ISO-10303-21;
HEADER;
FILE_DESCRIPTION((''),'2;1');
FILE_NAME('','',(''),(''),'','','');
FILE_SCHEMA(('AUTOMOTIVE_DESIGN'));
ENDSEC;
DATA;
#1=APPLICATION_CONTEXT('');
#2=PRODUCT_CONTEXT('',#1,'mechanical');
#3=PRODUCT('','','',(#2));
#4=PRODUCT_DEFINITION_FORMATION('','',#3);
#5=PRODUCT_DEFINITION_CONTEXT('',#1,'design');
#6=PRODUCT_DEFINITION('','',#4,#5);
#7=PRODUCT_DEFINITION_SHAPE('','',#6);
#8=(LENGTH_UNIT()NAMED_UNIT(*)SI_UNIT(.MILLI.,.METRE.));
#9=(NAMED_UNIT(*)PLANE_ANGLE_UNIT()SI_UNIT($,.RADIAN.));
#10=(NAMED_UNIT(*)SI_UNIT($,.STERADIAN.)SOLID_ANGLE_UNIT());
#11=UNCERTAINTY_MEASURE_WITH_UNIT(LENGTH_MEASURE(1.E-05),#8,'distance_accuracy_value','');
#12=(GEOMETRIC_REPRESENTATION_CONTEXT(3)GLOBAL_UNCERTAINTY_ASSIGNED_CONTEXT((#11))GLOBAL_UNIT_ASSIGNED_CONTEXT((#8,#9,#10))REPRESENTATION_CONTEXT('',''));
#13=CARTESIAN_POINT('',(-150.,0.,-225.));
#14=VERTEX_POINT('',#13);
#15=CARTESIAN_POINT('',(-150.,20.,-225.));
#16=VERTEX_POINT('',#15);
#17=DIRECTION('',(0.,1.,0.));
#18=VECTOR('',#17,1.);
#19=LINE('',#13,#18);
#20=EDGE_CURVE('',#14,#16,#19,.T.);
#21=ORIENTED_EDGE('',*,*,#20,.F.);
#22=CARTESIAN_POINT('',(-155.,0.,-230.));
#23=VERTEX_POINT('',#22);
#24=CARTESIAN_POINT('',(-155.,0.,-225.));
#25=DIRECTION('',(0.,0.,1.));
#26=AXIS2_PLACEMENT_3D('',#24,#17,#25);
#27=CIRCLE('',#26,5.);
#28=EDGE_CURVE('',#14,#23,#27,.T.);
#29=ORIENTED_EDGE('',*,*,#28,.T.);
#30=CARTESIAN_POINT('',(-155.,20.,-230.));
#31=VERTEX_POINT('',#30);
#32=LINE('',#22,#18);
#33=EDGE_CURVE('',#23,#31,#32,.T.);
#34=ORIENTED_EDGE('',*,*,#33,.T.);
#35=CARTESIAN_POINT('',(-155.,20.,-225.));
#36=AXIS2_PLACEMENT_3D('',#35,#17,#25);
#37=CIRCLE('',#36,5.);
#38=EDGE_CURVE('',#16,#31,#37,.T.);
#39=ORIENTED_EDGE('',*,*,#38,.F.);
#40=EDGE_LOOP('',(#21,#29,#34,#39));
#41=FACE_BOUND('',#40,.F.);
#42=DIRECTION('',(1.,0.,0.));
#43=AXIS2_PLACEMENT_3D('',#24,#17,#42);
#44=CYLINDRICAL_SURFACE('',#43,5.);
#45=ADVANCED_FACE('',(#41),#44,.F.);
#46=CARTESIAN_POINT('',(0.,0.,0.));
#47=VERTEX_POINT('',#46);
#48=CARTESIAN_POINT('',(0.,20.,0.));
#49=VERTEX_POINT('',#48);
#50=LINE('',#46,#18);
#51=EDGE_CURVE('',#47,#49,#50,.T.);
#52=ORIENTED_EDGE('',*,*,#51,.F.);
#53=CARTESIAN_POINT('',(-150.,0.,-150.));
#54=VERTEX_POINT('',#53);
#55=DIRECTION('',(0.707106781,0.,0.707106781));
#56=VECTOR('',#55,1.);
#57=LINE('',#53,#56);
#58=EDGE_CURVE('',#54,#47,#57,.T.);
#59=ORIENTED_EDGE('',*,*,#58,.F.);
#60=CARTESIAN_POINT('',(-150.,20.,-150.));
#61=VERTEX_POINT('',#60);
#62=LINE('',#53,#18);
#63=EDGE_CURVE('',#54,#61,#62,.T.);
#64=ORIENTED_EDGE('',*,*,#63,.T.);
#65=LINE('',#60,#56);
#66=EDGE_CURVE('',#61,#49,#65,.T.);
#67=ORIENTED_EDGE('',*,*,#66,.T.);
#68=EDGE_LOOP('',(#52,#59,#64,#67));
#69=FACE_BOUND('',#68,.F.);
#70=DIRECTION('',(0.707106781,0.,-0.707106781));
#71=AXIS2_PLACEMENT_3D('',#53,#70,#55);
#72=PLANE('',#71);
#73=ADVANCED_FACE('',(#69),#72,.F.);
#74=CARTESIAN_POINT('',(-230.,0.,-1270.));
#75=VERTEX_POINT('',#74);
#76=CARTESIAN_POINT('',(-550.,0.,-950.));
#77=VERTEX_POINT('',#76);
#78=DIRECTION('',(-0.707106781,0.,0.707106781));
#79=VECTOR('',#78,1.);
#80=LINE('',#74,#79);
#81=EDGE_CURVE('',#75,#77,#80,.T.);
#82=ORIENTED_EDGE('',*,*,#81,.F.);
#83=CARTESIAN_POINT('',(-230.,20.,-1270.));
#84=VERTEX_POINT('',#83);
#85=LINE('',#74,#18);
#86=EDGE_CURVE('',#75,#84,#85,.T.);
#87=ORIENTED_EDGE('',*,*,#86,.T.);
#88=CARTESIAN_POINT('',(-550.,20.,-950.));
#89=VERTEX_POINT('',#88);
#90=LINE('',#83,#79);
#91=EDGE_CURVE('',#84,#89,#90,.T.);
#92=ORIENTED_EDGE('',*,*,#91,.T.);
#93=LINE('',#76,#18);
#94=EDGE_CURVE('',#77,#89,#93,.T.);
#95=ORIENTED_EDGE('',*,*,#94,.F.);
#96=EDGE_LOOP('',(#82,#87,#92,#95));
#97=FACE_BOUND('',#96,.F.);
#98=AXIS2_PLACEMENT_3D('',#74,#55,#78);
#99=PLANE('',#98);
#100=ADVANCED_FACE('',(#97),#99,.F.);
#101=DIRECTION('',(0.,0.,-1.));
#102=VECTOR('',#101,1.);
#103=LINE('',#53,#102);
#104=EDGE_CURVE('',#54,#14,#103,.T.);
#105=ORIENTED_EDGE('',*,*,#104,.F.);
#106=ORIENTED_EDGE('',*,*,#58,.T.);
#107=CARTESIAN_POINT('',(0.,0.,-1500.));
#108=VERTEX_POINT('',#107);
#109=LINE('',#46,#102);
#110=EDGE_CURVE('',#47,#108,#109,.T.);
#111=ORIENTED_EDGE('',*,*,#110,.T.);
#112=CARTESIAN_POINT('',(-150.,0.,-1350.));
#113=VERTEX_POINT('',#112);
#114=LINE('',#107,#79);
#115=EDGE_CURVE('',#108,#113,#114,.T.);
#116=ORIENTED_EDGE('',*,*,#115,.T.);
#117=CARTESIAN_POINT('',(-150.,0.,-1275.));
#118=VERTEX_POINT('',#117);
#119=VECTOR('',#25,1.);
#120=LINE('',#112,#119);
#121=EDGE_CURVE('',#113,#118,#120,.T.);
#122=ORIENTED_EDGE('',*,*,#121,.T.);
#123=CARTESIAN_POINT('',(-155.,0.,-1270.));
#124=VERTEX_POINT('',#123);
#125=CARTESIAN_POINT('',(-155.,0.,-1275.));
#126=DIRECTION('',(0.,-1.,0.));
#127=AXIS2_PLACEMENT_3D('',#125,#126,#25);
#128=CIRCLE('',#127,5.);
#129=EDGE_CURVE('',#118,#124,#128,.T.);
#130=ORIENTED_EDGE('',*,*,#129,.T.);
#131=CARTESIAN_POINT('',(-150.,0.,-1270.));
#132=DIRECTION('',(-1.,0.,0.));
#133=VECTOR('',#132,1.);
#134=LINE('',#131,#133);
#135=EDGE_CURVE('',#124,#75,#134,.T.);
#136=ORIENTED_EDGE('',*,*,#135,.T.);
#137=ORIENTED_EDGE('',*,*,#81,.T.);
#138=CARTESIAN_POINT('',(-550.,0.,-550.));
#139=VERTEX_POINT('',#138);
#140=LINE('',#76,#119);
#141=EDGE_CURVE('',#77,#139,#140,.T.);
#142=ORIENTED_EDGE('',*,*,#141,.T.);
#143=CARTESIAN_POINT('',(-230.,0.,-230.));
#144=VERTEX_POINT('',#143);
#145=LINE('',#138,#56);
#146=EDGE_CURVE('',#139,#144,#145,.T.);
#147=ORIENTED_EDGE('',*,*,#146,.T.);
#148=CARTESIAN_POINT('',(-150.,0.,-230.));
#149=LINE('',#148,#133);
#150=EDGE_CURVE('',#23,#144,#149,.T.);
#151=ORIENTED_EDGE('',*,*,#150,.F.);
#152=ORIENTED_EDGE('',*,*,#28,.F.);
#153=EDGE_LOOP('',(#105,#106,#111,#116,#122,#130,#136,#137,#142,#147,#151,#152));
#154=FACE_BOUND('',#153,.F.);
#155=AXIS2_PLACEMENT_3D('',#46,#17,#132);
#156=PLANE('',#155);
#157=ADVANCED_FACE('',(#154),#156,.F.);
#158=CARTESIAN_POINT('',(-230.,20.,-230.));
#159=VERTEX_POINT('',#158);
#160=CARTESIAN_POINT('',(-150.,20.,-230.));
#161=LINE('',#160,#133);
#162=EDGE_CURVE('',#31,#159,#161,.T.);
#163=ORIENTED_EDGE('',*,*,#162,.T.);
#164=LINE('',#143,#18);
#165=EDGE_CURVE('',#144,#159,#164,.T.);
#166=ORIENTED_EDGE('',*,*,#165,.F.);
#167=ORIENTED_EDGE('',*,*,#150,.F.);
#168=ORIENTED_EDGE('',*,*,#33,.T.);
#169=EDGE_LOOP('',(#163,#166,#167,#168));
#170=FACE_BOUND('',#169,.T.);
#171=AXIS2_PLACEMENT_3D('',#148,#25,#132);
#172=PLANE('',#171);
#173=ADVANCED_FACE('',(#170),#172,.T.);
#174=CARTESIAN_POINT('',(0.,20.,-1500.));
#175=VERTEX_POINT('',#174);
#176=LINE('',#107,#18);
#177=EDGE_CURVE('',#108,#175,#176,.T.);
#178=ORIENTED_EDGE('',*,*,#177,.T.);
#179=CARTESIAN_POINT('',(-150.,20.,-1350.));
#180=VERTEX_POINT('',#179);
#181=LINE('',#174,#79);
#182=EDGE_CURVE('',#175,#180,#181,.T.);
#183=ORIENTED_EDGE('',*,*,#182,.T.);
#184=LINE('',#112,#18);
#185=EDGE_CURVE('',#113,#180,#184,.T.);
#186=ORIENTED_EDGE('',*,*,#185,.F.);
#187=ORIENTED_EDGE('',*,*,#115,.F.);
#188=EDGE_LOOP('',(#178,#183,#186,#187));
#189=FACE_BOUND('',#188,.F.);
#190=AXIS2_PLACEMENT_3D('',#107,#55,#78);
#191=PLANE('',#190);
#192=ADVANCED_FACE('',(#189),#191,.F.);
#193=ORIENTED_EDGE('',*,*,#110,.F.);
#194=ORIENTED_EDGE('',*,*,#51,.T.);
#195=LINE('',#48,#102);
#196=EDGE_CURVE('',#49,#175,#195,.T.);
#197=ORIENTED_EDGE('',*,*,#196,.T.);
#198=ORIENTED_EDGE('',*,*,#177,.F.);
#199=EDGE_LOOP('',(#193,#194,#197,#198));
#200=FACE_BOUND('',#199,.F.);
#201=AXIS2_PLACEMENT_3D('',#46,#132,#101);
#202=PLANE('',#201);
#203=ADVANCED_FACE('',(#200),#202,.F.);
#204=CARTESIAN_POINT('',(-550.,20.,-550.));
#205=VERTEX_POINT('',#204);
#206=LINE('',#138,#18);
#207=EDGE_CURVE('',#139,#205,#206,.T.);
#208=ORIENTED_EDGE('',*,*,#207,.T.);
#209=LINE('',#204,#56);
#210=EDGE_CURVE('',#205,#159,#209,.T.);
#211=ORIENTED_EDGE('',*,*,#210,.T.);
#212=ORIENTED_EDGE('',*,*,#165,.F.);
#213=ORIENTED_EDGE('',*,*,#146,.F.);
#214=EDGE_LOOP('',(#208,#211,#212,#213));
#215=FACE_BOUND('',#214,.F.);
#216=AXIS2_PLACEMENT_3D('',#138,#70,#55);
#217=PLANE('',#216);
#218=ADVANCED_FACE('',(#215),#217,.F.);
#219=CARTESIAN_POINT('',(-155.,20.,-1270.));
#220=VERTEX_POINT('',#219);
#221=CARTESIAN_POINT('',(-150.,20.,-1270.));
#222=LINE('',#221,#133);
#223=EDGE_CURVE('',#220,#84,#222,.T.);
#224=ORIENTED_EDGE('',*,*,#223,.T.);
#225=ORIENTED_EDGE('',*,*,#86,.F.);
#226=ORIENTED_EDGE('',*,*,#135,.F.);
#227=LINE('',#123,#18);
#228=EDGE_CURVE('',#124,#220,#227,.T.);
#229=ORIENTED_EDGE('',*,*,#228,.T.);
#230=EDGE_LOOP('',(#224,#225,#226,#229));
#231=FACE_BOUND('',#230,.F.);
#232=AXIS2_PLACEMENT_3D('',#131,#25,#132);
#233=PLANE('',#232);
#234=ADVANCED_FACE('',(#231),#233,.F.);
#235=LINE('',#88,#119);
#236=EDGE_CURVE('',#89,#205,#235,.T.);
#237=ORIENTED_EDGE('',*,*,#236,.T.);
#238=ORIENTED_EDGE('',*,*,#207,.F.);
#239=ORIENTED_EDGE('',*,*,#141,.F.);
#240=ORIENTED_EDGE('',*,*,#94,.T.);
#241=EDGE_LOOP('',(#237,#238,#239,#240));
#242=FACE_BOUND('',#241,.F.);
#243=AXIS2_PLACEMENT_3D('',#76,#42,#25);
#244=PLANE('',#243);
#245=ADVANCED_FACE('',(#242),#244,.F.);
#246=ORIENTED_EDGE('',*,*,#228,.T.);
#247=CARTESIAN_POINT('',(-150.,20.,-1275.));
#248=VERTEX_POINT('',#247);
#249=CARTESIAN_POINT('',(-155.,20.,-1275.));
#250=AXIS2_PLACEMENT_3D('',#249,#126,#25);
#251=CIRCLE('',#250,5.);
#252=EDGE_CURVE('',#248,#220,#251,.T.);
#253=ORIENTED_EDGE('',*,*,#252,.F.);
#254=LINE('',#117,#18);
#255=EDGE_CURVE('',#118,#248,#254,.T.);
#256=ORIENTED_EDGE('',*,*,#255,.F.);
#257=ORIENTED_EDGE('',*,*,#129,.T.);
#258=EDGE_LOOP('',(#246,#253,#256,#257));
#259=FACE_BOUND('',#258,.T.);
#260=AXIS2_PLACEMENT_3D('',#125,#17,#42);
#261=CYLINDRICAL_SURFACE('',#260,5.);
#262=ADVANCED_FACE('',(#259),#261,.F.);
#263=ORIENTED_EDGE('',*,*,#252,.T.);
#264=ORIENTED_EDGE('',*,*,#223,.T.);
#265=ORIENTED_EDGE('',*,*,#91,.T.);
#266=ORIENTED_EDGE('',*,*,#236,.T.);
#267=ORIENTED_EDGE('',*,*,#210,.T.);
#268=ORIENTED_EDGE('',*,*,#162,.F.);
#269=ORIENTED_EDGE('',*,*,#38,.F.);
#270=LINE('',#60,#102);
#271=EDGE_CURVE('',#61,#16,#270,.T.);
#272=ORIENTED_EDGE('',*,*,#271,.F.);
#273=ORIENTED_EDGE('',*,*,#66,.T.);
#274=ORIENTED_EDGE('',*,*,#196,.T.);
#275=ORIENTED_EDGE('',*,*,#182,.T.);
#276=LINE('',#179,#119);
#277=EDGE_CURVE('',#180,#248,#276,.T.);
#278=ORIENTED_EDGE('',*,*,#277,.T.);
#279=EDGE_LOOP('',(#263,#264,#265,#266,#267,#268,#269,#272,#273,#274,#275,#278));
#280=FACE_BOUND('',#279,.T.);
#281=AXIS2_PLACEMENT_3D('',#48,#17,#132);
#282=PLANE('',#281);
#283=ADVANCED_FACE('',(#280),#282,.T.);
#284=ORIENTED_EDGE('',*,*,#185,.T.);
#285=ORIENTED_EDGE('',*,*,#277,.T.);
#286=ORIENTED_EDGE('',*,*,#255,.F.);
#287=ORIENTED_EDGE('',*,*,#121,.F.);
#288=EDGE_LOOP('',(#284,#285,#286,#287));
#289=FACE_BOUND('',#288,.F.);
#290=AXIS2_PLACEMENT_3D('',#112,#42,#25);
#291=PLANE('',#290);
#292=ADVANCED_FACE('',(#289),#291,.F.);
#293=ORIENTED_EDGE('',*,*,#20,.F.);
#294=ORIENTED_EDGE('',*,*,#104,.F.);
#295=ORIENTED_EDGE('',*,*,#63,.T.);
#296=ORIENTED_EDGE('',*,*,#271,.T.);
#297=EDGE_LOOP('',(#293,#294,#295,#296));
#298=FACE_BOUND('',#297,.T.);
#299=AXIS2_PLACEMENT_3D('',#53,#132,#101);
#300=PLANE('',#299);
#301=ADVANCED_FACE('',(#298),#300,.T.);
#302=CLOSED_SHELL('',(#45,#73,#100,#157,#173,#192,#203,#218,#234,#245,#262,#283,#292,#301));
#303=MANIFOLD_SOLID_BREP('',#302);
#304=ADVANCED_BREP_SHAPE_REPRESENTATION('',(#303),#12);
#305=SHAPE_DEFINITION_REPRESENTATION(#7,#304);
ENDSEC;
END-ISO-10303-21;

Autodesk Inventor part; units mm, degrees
ref_plane "YZ Plane" through (0, 0, 0) normal (1, 0, 0) x (0, 1, 0)
ref_plane "XZ Plane" through (0, 0, 0) normal (0, 1, 0) x (-1, 0, 0)
ref_plane "XY Plane" through (0, 0, 0) normal (0, 0, 1) x (1, 0, 0)
sketch "Sketch4" plane through (0, 0, 0) normal (0, 1, 0) x (-1, 0, 0)
  line L0 (0, 0) -> (0, -1500)
  line L1 (550, -950) -> (550, -550)
  line L2 (150, -150) -> (150, -230)
  line L3 (150, -230) -> (230, -230)
  line L4 (550, -550) -> (230, -230)
  line L5 (150, -150) -> (0, 0)
  line L6 (150, -1350) -> (150, -1270)
  line L7 (150, -1270) -> (230, -1270)
  line L8 (0, -1500) -> (150, -1350)
  line L9 (230, -1270) -> (550, -950)
  dimension "d8" = 1500
  dimension "d11" = 550
  dimension "d12" = 80
  dimension "d13" = 150
  dimension "d14" = 150
  dimension "d15" = 80
  dimension "d16" = 45
extrude "Extrusion1" add sketch "Sketch4" along normal blind 20
fillet "Fillet1" radius 5 1 edges at (-150, 10, -230)
fillet "Fillet2" radius 5 1 edges at (-150, 10, -1270)
properties part number "top long"
